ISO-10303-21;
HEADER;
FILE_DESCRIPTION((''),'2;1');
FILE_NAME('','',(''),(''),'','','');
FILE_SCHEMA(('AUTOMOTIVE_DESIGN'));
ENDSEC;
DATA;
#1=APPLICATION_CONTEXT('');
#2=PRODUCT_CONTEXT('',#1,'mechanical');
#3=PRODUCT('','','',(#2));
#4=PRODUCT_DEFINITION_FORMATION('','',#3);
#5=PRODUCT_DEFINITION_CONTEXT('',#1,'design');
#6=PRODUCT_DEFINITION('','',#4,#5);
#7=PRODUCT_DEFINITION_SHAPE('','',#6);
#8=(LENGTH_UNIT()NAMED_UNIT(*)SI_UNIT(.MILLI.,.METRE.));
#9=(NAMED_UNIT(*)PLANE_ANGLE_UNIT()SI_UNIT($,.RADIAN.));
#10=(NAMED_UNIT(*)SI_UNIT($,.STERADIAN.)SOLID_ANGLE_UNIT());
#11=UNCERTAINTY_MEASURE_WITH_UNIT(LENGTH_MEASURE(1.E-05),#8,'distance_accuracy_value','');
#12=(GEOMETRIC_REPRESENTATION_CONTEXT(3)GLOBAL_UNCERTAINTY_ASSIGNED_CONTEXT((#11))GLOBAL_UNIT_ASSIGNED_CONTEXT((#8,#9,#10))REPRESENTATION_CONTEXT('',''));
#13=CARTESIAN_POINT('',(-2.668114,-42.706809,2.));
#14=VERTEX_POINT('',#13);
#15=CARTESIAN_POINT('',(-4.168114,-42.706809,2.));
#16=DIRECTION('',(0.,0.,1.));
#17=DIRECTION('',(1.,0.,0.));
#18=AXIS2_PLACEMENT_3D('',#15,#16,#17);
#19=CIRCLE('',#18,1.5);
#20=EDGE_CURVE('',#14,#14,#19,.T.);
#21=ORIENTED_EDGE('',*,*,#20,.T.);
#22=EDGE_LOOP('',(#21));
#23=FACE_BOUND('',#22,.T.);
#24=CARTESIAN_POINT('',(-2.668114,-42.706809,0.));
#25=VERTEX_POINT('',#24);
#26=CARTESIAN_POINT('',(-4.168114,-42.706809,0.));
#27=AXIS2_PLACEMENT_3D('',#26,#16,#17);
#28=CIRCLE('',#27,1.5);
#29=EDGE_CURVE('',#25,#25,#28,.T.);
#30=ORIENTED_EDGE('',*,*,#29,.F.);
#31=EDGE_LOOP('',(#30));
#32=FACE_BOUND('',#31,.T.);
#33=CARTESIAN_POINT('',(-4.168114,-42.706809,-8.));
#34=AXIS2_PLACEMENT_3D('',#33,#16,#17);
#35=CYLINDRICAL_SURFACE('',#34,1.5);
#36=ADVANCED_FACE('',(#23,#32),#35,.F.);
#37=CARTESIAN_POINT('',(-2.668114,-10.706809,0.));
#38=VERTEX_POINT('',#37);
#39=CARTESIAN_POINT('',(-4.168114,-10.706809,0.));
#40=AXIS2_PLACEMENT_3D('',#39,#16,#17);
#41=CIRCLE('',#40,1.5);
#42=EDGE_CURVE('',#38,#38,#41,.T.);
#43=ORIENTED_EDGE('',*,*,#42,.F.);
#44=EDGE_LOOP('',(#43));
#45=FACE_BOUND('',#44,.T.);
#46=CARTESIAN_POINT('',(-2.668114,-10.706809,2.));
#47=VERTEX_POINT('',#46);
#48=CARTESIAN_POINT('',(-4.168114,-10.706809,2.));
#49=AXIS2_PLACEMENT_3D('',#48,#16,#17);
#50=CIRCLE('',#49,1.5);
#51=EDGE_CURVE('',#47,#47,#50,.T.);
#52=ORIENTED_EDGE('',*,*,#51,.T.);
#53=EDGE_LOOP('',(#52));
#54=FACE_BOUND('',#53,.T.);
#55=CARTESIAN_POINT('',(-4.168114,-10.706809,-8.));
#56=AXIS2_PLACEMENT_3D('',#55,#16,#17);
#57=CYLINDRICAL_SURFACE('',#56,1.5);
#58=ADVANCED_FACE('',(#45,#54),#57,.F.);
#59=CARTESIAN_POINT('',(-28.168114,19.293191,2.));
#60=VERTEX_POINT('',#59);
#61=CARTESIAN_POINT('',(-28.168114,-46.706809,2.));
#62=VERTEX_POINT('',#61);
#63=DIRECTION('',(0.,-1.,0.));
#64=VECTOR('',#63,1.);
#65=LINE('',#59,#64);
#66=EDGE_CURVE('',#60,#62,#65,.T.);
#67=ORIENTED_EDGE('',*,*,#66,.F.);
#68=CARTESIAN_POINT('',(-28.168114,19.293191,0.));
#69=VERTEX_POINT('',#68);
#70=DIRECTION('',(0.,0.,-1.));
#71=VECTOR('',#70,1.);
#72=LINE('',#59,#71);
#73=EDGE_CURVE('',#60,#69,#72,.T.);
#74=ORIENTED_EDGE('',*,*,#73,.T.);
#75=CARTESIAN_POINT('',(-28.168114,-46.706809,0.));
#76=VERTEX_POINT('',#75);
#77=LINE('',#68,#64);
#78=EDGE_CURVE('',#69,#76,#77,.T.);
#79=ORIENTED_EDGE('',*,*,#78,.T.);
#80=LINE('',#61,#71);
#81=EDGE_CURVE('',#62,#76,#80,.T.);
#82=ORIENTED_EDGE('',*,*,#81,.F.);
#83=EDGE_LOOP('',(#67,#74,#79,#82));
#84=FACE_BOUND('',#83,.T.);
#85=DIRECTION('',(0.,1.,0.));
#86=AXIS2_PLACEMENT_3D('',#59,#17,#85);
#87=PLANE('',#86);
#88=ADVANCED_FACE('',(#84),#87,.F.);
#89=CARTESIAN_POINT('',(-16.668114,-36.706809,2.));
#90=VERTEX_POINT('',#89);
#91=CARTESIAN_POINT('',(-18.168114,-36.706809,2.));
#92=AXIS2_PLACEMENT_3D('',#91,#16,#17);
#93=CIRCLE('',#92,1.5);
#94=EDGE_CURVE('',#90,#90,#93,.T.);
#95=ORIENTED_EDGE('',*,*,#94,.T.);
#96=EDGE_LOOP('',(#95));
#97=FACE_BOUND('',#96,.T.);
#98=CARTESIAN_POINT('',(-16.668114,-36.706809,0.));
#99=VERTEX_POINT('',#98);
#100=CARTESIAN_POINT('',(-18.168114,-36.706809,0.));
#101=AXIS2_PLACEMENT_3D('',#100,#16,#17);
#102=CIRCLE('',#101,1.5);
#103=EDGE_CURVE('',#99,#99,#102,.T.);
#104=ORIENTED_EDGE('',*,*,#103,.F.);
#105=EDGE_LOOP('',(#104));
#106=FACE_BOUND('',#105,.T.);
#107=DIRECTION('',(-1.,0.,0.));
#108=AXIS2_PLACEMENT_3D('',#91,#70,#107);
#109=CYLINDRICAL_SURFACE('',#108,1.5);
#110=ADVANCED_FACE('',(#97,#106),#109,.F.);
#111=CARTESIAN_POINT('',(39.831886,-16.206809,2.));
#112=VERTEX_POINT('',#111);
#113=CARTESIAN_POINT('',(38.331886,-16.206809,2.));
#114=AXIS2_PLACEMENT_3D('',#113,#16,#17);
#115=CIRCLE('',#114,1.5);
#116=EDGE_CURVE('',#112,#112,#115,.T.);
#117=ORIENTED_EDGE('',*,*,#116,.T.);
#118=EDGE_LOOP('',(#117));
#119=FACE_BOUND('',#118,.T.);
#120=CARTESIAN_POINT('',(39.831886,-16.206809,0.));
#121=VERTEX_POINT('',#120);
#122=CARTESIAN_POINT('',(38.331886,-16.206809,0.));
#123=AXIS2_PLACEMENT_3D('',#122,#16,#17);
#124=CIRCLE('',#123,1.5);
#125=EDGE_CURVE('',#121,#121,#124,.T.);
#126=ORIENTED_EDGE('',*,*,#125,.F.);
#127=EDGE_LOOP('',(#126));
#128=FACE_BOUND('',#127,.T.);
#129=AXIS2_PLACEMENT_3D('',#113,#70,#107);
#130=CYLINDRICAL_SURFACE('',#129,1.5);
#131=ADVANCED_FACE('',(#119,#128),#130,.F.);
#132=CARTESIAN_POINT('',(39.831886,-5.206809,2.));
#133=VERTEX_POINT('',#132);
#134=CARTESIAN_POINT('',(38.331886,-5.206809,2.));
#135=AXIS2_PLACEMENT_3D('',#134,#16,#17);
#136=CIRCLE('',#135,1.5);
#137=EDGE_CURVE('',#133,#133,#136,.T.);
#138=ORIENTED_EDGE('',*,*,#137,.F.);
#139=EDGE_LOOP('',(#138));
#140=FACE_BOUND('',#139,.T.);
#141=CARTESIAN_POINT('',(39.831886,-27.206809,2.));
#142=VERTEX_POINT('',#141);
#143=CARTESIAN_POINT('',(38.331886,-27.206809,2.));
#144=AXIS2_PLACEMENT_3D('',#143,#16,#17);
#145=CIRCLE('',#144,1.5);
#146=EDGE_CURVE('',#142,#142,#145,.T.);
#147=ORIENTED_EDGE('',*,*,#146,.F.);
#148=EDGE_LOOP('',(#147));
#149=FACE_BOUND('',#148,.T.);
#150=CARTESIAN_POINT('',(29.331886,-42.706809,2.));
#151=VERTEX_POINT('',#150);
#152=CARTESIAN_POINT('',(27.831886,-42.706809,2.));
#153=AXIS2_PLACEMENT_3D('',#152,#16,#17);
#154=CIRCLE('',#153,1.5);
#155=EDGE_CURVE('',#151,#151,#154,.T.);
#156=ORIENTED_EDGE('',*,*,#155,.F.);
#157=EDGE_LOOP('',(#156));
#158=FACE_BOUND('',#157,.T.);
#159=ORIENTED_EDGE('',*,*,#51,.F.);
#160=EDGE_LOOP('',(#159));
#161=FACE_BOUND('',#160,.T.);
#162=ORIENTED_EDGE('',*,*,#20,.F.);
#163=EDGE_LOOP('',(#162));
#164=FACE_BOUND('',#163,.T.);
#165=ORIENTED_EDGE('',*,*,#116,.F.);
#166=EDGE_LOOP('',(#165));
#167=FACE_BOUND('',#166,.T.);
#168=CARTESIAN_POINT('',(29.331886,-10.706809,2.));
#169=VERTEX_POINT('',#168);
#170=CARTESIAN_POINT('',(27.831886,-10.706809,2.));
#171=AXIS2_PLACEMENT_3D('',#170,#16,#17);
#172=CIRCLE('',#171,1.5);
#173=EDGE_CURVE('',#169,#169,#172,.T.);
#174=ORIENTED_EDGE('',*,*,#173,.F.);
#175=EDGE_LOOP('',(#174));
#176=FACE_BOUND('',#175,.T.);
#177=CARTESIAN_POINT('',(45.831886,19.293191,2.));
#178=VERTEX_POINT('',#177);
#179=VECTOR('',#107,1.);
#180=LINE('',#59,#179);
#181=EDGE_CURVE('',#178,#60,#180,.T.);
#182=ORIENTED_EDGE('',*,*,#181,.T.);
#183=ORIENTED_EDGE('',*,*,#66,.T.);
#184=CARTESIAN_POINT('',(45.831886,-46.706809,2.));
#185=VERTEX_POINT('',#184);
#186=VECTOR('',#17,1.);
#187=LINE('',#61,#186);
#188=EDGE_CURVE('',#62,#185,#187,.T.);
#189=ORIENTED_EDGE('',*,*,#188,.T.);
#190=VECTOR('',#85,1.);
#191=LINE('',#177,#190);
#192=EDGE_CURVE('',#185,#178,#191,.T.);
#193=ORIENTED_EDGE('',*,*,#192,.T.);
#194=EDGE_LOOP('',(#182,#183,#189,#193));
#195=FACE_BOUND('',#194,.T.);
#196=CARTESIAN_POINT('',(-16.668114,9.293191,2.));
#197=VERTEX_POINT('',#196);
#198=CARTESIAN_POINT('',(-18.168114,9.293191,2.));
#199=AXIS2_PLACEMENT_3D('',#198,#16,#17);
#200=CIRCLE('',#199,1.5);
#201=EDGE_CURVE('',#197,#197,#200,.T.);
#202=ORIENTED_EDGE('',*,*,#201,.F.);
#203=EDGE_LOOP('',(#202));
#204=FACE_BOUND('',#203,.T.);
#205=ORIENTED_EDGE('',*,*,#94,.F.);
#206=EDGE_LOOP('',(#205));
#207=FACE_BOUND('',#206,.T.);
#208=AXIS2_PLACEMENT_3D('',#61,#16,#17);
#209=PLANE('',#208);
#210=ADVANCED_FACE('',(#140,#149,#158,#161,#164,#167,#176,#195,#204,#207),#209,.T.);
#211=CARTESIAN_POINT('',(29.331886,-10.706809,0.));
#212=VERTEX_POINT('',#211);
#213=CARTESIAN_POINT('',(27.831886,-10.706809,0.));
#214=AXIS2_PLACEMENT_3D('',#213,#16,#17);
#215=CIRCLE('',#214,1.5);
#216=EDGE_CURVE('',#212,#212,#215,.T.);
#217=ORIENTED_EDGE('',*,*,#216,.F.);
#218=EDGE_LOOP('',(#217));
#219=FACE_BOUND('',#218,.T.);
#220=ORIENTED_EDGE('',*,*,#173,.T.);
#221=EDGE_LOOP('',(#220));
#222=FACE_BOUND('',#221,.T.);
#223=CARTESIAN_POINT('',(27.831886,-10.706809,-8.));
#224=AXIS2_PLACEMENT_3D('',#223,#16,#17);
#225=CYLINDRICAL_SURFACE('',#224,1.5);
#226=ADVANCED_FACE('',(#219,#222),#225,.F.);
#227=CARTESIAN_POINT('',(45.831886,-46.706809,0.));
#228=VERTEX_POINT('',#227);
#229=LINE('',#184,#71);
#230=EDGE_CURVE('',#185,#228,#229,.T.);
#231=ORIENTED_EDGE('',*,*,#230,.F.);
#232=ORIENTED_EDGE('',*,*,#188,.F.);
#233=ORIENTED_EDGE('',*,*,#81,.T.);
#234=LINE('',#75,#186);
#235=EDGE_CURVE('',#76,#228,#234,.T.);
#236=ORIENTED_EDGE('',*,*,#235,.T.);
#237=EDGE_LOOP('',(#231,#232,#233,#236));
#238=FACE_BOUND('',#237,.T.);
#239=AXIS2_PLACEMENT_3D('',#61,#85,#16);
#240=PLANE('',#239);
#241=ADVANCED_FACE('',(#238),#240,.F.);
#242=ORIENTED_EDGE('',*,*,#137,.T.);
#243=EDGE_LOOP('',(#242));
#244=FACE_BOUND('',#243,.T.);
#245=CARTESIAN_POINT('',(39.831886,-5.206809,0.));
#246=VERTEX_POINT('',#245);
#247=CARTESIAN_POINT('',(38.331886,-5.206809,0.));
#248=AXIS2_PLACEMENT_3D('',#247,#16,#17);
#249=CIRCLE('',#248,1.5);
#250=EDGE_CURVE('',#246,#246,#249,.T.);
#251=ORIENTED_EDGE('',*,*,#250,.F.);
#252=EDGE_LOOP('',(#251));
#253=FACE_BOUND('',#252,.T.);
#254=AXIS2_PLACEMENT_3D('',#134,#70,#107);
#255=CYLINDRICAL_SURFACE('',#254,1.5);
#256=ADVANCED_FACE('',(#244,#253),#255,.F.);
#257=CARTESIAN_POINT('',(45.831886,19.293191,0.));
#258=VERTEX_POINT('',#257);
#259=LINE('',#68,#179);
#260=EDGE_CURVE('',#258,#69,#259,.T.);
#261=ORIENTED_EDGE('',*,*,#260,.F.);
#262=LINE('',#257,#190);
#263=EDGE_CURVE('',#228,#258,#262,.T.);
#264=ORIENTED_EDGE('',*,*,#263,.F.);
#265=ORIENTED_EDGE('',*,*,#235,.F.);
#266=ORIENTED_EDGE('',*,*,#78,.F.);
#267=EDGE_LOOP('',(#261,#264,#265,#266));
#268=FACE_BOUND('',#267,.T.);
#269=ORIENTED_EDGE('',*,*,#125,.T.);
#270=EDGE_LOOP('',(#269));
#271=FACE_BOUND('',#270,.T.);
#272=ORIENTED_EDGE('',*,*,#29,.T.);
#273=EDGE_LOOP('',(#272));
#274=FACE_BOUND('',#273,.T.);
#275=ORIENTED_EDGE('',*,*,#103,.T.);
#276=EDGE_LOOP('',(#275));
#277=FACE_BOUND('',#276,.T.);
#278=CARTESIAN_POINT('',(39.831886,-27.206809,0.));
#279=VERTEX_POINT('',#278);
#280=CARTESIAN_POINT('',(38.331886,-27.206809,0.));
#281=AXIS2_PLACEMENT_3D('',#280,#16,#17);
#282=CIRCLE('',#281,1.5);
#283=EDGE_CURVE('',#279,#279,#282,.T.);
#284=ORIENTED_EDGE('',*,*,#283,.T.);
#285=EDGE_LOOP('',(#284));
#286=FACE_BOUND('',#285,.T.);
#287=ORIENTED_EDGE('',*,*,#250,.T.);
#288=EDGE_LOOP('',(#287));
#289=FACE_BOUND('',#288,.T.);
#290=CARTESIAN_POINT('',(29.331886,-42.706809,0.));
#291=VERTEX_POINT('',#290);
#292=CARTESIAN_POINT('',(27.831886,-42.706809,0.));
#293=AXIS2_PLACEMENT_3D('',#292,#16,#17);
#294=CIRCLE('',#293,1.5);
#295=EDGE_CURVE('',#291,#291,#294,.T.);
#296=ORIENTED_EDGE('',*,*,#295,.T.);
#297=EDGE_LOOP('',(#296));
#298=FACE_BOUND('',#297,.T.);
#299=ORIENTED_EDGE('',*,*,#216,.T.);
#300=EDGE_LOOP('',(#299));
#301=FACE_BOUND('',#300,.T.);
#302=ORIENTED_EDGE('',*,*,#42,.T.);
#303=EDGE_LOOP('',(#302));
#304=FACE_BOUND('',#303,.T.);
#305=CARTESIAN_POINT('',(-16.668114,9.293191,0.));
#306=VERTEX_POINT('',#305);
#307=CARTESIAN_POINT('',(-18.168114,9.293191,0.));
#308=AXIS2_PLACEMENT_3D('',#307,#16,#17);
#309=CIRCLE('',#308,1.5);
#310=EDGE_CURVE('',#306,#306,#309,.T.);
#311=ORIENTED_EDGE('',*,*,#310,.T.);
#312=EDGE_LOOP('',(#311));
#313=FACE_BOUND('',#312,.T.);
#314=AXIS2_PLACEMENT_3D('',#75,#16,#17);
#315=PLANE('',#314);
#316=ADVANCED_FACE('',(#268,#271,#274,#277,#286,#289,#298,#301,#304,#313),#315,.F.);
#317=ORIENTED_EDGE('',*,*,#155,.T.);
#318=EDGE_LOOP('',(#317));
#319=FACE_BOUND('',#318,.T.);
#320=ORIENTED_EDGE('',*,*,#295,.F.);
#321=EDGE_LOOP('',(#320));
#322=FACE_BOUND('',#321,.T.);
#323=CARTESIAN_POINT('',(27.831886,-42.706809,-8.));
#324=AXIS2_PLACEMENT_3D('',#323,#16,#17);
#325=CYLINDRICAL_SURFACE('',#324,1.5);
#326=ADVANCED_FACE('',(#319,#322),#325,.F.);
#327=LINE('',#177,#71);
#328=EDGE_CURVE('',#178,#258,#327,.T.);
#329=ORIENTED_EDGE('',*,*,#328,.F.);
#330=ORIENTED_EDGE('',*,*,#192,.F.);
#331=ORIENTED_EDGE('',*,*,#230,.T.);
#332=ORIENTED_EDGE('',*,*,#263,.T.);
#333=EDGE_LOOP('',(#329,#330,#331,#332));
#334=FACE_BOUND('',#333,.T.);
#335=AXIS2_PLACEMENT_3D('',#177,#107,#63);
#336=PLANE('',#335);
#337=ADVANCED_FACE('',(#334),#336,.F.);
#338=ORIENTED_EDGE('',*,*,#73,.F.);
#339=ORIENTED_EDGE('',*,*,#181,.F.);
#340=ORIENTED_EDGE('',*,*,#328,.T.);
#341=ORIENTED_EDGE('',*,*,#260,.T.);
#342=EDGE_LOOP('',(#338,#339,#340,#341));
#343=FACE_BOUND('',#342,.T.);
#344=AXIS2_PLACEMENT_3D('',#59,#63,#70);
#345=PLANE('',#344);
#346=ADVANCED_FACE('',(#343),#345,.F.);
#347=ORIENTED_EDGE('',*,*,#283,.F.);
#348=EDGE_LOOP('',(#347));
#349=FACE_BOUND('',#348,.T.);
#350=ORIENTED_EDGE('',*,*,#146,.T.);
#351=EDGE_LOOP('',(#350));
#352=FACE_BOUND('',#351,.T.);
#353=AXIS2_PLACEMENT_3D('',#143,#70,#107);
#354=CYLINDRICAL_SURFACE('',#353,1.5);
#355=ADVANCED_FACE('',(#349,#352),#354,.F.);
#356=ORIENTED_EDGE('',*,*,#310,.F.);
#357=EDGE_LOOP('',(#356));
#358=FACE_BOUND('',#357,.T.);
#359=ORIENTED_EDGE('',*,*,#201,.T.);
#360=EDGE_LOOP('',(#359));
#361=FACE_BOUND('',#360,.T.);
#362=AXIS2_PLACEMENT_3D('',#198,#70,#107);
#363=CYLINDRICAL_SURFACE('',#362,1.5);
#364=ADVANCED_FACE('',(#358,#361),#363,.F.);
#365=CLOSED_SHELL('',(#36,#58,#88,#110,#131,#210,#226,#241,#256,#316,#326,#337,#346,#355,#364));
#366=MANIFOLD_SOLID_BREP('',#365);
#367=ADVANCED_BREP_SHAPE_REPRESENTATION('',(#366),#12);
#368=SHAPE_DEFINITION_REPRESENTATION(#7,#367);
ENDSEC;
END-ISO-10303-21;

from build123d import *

# Parameters (mm, degrees)
ESQUISSE1_W      = 74
ESQUISSE1_H      = 66
ESQUISSE1_R      = 1.5
EXTRUSION1_DEPTH = 2
ESQUISSE2_R      = 1.5
EXTRUSION2_DEPTH = 10


with BuildPart() as part:
    # Esquisse1 → Extrusion1 (new body)
    with BuildSketch(Plane.XY):
        with Locations((8.831885794, -13.706808511)):
            Rectangle(ESQUISSE1_W, ESQUISSE1_H)
        with Locations((-18.168114206, 9.293191489)):
            Circle(ESQUISSE1_R, mode=Mode.SUBTRACT)
        with Locations((-18.168114206, -36.706808511)):
            Circle(ESQUISSE1_R, mode=Mode.SUBTRACT)
        with Locations((38.331885794, -5.206808511)):
            Circle(ESQUISSE1_R, mode=Mode.SUBTRACT)
        with Locations((38.331885794, -27.206808511)):
            Circle(ESQUISSE1_R, mode=Mode.SUBTRACT)
        with Locations((38.331885794, -16.206808511)):
            Circle(ESQUISSE1_R, mode=Mode.SUBTRACT)
    extrude(amount=EXTRUSION1_DEPTH)

    # Esquisse2 → Extrusion2 (cut)
    with BuildSketch(Plane.XY.offset(2)):
        with Locations((27.831885794, -10.706808511)):
            Circle(ESQUISSE2_R)
        with Locations((-4.168114206, -10.706808511)):
            Circle(ESQUISSE2_R)
        with Locations((-4.168114206, -42.706808511)):
            Circle(ESQUISSE2_R)
        with Locations((27.831885794, -42.706808511)):
            Circle(ESQUISSE2_R)
    extrude(amount=-EXTRUSION2_DEPTH, mode=Mode.SUBTRACT)


solid = part.part
